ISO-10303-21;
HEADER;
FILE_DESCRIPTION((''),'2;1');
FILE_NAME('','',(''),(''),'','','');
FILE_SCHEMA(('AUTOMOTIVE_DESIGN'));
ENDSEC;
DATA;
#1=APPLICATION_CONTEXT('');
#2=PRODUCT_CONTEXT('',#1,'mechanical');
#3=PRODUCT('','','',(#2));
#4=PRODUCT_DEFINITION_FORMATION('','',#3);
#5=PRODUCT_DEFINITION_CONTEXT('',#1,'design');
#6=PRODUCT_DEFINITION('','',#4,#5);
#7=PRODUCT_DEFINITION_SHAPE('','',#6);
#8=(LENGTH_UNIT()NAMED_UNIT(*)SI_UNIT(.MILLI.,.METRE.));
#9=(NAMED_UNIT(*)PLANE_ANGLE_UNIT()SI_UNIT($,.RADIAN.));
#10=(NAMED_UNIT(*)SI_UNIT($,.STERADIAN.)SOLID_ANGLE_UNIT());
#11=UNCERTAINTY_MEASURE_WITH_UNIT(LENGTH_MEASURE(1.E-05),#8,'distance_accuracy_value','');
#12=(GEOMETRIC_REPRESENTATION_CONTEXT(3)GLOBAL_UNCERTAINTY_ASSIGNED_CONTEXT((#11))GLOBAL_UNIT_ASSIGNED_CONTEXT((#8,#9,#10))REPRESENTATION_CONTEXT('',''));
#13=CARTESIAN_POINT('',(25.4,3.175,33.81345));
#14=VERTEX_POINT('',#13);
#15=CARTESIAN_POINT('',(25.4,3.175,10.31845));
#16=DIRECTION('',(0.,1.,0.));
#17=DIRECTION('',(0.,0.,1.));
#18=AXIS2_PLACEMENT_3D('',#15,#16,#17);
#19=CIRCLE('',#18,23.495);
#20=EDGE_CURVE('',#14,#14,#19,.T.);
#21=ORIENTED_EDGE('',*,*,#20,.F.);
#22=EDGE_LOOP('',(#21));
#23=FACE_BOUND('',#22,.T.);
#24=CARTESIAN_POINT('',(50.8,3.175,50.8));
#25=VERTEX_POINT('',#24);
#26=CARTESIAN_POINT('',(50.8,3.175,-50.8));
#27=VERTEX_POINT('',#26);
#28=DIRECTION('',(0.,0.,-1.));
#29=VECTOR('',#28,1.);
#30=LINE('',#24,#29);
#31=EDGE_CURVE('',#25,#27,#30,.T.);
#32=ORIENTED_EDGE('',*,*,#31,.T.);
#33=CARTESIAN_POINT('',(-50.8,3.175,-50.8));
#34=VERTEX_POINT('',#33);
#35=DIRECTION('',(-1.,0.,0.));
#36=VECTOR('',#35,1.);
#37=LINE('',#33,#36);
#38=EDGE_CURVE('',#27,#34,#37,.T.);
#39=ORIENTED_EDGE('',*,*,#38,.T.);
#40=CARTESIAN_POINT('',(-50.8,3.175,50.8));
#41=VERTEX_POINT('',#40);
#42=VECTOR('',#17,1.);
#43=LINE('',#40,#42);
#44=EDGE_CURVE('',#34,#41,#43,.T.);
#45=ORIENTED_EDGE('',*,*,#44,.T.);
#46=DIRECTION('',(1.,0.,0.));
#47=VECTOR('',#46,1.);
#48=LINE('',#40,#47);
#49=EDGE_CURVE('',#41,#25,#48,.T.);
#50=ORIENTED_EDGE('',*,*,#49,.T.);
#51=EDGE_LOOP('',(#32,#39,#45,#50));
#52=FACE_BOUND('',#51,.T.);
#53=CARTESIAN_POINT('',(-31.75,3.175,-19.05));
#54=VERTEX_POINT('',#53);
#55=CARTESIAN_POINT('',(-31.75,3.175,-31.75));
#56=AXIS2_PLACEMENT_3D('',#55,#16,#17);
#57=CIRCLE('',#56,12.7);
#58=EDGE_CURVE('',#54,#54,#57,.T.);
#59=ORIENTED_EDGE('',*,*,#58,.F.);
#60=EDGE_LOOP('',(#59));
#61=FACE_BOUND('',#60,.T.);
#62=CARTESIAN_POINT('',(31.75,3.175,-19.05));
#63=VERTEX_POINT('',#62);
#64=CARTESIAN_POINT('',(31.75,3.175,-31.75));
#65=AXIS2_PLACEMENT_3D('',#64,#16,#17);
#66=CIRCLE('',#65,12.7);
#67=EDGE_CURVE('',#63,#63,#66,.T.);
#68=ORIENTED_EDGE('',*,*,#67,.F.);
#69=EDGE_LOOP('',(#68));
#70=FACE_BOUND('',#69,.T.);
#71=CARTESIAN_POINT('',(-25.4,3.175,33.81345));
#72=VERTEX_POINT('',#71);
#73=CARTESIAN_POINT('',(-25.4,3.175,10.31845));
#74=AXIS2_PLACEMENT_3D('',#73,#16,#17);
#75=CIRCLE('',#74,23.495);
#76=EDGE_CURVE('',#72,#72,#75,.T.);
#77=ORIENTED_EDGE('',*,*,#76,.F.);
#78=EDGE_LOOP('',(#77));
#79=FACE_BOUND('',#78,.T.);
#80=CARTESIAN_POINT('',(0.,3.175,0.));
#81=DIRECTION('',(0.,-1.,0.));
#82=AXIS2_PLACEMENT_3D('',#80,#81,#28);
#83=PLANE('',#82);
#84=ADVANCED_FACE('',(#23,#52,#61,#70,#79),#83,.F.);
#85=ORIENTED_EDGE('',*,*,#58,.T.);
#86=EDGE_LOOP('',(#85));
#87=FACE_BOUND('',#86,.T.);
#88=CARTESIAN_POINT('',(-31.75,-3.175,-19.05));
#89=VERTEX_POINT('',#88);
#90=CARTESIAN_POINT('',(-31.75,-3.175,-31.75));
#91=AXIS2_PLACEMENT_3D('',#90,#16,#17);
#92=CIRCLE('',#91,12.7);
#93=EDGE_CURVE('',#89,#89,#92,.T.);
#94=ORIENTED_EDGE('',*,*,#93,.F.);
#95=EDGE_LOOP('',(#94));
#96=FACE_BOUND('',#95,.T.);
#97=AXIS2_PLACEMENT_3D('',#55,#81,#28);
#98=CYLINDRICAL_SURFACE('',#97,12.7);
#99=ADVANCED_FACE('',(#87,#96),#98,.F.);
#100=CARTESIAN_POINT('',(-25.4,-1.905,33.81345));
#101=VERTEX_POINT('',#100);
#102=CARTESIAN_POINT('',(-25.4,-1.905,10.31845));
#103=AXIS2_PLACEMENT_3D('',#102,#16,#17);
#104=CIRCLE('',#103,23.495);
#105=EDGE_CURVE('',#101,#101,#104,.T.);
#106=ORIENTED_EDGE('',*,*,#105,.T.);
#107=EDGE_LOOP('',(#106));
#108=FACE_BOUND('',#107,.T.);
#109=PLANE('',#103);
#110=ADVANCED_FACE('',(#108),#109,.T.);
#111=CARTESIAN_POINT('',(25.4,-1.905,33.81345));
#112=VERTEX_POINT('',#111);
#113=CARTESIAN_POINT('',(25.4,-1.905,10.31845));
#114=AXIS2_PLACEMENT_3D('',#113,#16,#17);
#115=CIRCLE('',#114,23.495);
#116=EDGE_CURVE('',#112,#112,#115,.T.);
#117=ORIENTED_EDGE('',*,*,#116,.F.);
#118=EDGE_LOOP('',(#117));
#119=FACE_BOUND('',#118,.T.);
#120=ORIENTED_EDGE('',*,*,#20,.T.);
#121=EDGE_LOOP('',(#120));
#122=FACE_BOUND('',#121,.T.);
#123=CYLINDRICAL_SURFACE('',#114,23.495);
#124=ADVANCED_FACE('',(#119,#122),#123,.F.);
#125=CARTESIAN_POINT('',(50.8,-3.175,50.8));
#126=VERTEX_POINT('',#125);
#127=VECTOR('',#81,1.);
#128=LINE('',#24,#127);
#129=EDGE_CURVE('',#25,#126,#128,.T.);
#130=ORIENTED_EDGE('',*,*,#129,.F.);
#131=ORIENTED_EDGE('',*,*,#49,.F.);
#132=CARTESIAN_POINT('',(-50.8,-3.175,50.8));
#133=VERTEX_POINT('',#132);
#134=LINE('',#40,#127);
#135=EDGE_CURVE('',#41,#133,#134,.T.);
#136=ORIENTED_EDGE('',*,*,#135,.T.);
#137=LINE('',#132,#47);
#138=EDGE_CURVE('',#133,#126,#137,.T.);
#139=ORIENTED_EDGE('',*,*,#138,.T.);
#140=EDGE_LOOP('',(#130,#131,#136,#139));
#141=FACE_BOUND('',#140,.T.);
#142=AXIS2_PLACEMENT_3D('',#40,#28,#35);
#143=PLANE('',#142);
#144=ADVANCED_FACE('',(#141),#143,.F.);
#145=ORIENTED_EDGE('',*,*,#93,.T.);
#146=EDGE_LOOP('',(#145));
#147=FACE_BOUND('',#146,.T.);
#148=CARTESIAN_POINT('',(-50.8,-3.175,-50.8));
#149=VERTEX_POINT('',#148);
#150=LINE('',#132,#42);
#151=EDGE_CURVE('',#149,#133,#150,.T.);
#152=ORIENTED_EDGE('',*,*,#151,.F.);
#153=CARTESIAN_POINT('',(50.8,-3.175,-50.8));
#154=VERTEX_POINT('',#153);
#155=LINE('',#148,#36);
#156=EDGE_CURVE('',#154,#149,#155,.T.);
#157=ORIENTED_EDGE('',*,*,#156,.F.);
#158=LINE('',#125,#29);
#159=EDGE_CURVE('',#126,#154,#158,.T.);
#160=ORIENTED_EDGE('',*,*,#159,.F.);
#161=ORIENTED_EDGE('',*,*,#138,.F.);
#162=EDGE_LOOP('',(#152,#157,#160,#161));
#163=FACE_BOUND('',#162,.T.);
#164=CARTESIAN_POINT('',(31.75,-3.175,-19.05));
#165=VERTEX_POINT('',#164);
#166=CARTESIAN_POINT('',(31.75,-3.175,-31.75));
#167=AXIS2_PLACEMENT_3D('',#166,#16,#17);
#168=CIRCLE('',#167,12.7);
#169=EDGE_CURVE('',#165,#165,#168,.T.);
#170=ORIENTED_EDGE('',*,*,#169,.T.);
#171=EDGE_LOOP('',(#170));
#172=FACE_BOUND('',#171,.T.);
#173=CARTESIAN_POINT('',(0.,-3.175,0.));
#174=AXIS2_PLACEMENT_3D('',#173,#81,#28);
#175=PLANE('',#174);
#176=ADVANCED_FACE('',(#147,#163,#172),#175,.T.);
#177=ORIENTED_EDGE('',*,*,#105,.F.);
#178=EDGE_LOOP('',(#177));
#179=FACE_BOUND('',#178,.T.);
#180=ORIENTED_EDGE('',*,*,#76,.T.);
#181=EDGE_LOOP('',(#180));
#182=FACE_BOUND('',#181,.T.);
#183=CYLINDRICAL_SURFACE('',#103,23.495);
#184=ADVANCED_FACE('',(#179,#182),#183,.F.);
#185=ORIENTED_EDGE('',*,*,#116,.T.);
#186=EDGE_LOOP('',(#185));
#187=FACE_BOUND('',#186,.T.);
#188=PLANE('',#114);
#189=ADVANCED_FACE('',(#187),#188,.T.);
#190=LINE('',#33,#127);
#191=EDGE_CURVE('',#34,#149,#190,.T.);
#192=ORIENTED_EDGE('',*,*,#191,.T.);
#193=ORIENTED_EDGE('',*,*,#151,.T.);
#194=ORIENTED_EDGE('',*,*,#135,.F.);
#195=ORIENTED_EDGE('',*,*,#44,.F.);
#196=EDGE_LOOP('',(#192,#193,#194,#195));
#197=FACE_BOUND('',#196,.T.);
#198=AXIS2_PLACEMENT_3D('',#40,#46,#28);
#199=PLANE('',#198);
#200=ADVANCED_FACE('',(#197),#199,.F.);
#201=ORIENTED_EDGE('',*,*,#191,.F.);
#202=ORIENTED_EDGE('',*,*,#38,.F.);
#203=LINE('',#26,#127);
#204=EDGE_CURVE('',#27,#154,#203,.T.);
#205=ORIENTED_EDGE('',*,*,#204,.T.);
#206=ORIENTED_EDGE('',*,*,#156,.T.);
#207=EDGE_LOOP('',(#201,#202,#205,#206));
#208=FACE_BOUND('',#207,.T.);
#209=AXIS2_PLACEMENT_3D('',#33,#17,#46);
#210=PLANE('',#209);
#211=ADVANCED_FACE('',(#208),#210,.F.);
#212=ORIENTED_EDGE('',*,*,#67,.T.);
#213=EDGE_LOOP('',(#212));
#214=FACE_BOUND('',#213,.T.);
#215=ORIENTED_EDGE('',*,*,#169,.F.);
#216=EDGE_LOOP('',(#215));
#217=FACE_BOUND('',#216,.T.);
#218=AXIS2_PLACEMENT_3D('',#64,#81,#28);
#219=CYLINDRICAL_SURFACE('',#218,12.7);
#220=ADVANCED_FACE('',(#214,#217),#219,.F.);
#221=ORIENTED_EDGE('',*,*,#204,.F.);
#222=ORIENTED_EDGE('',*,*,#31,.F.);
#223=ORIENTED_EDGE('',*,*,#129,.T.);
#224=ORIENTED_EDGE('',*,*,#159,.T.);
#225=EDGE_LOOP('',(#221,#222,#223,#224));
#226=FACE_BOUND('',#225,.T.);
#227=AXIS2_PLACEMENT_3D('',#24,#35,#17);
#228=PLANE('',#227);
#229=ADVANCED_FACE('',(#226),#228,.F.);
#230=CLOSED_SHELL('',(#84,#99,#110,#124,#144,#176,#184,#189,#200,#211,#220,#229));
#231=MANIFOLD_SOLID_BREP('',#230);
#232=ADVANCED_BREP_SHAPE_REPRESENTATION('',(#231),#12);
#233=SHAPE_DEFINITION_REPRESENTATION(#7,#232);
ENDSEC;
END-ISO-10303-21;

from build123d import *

# Parameters (mm, degrees)
SKETCH1_W           = 101.6
SKETCH1_H           = 101.6
SKETCH1_R           = 12.7
BOSS_EXTRUDE1_DEPTH = 3.175
SKETCH2_R           = 23.495
CUT_EXTRUDE1_DEPTH  = 5.08


with BuildPart() as part:
    # Sketch1 → Boss-Extrude1 (new body, symmetric)
    with BuildSketch(Plane(origin=(0, 0, 0), x_dir=(1, 0, 0), z_dir=(0, 1, 0))):
        Rectangle(SKETCH1_W, SKETCH1_H)
        with Locations((-31.75, 31.75)):
            Circle(SKETCH1_R, mode=Mode.SUBTRACT)
        with Locations((31.75, 31.75)):
            Circle(SKETCH1_R, mode=Mode.SUBTRACT)
    extrude(amount=BOSS_EXTRUDE1_DEPTH, both=True)

    # Sketch2 → Cut-Extrude1 (cut)
    with BuildSketch(Plane(origin=(0, 3.175, 0), x_dir=(1, 0, 0), z_dir=(0, 1, 0))):
        with Locations((-25.4, -10.318450471)):
            Circle(SKETCH2_R)
        with Locations((25.4, -10.318450471)):
            Circle(SKETCH2_R)
    extrude(amount=-CUT_EXTRUDE1_DEPTH, mode=Mode.SUBTRACT)


solid = part.part
